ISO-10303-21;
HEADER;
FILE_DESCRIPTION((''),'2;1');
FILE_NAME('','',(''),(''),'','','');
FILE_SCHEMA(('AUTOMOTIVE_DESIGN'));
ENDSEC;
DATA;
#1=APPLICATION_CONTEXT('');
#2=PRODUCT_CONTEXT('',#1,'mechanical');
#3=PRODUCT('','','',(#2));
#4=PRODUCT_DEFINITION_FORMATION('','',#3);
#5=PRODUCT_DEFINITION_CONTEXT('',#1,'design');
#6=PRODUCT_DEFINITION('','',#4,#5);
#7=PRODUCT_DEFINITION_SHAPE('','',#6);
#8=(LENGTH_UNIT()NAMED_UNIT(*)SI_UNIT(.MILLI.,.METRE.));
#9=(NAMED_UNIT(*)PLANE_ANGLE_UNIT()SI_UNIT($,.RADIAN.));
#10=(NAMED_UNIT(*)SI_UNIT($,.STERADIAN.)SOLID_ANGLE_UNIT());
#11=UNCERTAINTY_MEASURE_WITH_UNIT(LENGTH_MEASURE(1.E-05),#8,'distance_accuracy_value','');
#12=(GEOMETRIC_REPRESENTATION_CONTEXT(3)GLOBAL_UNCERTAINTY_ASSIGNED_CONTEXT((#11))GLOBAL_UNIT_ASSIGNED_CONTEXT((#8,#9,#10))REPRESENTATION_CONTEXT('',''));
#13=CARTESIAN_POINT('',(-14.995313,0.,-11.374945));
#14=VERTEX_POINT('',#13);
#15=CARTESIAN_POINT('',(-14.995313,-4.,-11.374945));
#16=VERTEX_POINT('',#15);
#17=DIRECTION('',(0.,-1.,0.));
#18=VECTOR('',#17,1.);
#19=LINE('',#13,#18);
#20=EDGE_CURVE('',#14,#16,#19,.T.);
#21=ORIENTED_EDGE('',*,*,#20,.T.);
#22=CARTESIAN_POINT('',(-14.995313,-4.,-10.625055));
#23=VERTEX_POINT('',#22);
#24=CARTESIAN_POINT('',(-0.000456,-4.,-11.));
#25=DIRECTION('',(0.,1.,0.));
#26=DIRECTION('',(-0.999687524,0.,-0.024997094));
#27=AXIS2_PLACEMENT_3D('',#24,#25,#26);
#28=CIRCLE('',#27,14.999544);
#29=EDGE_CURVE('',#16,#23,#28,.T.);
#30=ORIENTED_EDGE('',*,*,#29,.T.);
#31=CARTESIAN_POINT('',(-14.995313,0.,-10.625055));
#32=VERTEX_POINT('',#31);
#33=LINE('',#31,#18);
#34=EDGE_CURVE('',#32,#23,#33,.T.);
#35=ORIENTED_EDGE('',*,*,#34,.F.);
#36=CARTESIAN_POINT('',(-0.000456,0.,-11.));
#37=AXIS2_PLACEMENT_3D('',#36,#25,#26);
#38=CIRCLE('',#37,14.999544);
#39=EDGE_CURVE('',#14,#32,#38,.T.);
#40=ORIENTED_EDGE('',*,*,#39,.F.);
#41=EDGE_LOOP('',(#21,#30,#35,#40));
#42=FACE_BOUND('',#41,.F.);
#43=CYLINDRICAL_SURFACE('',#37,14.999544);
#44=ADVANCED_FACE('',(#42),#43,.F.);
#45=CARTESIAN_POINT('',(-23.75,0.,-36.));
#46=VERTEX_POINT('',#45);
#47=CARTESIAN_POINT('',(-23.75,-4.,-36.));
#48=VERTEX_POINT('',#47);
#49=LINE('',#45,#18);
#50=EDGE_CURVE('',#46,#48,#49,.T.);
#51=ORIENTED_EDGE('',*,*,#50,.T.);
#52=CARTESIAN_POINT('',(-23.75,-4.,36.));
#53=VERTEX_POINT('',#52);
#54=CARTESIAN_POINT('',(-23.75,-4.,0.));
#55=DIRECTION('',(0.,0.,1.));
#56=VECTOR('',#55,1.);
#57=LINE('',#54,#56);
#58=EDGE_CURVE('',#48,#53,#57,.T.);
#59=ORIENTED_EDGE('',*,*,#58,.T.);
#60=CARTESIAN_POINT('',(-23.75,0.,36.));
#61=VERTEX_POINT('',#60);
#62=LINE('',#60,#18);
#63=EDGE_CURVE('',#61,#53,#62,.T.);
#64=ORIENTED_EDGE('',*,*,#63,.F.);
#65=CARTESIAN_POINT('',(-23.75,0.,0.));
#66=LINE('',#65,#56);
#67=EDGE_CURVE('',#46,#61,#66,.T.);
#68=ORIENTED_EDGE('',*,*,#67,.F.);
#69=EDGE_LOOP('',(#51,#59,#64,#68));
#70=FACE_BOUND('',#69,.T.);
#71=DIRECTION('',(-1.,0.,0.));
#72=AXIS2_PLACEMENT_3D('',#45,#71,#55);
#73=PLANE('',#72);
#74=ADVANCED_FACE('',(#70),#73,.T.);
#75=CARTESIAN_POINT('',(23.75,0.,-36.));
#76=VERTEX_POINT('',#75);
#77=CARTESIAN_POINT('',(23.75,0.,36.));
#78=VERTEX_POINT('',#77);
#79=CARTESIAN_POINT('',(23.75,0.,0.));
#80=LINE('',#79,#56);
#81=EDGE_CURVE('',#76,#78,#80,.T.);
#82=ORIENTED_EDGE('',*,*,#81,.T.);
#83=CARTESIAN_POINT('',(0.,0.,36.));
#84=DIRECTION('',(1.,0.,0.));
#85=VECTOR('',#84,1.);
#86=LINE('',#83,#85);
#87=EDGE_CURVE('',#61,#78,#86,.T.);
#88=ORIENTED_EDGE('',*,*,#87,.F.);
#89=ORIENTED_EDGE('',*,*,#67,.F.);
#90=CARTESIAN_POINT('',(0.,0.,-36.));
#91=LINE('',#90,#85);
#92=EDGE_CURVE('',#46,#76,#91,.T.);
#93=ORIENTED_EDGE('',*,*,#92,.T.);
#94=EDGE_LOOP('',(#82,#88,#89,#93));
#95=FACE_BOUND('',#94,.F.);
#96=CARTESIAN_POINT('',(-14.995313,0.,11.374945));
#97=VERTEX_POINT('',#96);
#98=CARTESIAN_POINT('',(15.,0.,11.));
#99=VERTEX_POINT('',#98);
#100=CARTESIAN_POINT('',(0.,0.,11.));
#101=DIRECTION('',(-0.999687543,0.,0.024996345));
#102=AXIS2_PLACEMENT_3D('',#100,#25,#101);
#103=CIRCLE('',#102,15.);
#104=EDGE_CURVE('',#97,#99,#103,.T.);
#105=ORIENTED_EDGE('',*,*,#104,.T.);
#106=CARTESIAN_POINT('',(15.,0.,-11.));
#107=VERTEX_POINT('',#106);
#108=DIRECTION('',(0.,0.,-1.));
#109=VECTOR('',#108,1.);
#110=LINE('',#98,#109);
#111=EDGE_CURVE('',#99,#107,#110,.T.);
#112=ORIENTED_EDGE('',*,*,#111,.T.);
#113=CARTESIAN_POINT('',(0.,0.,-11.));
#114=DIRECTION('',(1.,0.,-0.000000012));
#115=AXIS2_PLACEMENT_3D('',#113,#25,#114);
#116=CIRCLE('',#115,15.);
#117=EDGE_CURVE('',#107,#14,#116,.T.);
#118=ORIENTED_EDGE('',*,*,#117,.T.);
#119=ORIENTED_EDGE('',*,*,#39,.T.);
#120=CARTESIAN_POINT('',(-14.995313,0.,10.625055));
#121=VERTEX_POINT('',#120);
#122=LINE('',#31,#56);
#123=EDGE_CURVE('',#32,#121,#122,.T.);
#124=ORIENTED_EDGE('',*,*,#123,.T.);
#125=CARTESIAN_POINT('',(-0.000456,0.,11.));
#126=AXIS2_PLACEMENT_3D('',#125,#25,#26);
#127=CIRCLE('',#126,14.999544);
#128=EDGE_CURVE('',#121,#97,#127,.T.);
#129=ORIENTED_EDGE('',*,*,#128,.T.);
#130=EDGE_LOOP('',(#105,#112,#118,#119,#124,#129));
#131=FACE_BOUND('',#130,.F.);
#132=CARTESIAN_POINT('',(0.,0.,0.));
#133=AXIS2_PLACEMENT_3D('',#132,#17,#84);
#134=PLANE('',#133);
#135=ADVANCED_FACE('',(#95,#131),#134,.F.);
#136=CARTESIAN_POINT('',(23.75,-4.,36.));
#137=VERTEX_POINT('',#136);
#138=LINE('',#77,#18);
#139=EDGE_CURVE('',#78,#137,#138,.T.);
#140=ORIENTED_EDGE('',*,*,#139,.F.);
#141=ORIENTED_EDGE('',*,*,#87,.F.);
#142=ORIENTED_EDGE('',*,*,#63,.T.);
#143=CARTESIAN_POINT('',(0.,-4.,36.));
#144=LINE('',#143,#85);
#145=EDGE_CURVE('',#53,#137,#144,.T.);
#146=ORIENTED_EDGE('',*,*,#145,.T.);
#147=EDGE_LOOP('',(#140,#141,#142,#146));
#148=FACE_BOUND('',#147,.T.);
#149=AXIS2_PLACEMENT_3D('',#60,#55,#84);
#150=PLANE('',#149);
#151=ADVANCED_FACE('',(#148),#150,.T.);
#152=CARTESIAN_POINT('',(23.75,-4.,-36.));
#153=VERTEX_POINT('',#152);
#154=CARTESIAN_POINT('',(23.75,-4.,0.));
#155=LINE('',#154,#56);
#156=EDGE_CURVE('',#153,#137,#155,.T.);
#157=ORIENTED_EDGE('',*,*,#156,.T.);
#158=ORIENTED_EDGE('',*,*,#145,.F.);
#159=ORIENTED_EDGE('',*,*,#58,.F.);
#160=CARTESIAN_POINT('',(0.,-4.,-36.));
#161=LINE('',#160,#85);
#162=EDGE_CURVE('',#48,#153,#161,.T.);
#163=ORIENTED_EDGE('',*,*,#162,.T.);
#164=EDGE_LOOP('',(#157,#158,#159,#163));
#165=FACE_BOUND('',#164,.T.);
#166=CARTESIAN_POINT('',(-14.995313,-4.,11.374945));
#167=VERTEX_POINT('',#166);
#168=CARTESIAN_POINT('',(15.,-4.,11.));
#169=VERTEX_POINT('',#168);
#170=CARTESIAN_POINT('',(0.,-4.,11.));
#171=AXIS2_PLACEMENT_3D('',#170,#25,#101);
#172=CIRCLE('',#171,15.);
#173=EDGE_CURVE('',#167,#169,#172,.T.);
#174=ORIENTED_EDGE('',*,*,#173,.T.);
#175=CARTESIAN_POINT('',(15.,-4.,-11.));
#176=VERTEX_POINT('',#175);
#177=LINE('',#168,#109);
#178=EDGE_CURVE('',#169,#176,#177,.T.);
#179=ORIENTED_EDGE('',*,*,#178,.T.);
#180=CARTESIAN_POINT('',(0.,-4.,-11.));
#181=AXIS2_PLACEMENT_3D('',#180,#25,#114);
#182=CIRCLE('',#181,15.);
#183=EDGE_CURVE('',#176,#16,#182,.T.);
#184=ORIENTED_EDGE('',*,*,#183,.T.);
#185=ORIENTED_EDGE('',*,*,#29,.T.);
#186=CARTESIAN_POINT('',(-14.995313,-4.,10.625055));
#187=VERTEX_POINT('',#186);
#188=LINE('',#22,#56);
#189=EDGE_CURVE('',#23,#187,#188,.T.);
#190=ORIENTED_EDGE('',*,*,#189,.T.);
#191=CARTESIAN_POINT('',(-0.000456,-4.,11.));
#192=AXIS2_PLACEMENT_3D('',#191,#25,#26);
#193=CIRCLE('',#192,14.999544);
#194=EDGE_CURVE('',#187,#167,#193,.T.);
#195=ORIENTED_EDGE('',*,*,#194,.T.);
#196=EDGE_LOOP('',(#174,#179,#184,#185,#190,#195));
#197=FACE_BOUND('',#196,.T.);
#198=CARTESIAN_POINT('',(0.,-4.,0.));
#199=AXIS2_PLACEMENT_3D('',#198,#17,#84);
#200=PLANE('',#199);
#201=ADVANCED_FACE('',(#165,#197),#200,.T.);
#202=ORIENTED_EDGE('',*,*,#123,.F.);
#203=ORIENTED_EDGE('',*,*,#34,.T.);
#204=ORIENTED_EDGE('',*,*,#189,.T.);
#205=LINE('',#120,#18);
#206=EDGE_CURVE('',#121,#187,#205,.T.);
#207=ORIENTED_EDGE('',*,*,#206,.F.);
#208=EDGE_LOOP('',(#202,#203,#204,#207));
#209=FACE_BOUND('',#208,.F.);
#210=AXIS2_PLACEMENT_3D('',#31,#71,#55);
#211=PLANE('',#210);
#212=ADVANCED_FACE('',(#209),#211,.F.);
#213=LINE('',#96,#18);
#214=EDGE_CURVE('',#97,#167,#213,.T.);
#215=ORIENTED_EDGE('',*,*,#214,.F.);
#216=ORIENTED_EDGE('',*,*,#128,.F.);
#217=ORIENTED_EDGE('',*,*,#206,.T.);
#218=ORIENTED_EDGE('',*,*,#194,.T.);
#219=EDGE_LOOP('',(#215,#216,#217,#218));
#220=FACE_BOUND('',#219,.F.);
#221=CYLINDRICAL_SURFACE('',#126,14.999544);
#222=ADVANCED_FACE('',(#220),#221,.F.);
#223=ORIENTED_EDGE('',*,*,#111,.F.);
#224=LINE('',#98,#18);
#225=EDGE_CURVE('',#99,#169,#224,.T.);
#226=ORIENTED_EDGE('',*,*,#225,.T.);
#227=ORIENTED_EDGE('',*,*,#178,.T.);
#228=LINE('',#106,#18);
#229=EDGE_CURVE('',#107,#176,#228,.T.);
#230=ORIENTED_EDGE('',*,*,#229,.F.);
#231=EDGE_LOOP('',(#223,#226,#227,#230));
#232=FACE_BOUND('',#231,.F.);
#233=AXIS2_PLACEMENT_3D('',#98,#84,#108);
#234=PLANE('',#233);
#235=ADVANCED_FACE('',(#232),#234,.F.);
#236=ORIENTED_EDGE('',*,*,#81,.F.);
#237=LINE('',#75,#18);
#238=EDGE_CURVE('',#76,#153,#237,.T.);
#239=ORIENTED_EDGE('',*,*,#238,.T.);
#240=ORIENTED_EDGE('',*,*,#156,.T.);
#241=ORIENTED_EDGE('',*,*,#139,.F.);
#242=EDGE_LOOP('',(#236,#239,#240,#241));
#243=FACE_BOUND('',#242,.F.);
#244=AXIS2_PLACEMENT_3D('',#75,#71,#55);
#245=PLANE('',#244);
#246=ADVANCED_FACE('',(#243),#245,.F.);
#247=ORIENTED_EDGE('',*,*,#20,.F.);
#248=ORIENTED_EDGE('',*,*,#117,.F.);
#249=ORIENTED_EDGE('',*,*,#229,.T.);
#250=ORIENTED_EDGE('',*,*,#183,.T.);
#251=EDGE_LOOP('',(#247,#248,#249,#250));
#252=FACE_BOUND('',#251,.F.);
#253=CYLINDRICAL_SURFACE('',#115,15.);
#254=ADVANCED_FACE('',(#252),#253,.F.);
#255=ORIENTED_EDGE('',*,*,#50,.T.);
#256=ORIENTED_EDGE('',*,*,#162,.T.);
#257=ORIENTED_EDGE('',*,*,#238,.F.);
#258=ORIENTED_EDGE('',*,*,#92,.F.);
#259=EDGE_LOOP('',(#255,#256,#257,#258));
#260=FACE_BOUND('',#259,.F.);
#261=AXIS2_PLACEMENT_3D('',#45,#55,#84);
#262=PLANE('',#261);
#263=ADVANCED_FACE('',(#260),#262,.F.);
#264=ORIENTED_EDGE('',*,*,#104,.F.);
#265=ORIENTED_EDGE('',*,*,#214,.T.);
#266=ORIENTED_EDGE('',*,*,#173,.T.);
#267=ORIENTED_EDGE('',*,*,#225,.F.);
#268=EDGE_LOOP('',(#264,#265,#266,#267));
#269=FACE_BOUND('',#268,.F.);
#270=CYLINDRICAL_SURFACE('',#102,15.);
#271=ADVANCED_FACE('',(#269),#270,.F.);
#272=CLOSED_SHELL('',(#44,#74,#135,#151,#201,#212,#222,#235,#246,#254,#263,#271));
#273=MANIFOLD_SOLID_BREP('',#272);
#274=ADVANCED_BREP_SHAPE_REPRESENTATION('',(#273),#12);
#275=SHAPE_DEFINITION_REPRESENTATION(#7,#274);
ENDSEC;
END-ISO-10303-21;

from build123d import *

# Parameters (mm, degrees)
F0_W     = 47.5
F0_H     = 72
F1_DEPTH = 4


with BuildPart() as f1:
    # F0 (on Front) → F1 (new body)
    with BuildSketch(Plane.XZ):
        Rectangle(F0_W, F0_H)
        with BuildLine():
            ThreePointArc((-14.995313, 11.374945), (0.187487, 25.998828), (15, 11))
            Line((15, 11), (15, -11))
            ThreePointArc((15, -11), (0.187487, -25.998828), (-14.995313, -11.374945))
            ThreePointArc((-14.995313, -11.374945), (-15, -11), (-14.995313, -10.625055))
            Line((-14.995313, -10.625055), (-14.995313, 10.625055))
            ThreePointArc((-14.995313, 10.625055), (-15, 11), (-14.995313, 11.374945))
        make_face(mode=Mode.SUBTRACT)
    extrude(amount=F1_DEPTH)


solid = f1.part
